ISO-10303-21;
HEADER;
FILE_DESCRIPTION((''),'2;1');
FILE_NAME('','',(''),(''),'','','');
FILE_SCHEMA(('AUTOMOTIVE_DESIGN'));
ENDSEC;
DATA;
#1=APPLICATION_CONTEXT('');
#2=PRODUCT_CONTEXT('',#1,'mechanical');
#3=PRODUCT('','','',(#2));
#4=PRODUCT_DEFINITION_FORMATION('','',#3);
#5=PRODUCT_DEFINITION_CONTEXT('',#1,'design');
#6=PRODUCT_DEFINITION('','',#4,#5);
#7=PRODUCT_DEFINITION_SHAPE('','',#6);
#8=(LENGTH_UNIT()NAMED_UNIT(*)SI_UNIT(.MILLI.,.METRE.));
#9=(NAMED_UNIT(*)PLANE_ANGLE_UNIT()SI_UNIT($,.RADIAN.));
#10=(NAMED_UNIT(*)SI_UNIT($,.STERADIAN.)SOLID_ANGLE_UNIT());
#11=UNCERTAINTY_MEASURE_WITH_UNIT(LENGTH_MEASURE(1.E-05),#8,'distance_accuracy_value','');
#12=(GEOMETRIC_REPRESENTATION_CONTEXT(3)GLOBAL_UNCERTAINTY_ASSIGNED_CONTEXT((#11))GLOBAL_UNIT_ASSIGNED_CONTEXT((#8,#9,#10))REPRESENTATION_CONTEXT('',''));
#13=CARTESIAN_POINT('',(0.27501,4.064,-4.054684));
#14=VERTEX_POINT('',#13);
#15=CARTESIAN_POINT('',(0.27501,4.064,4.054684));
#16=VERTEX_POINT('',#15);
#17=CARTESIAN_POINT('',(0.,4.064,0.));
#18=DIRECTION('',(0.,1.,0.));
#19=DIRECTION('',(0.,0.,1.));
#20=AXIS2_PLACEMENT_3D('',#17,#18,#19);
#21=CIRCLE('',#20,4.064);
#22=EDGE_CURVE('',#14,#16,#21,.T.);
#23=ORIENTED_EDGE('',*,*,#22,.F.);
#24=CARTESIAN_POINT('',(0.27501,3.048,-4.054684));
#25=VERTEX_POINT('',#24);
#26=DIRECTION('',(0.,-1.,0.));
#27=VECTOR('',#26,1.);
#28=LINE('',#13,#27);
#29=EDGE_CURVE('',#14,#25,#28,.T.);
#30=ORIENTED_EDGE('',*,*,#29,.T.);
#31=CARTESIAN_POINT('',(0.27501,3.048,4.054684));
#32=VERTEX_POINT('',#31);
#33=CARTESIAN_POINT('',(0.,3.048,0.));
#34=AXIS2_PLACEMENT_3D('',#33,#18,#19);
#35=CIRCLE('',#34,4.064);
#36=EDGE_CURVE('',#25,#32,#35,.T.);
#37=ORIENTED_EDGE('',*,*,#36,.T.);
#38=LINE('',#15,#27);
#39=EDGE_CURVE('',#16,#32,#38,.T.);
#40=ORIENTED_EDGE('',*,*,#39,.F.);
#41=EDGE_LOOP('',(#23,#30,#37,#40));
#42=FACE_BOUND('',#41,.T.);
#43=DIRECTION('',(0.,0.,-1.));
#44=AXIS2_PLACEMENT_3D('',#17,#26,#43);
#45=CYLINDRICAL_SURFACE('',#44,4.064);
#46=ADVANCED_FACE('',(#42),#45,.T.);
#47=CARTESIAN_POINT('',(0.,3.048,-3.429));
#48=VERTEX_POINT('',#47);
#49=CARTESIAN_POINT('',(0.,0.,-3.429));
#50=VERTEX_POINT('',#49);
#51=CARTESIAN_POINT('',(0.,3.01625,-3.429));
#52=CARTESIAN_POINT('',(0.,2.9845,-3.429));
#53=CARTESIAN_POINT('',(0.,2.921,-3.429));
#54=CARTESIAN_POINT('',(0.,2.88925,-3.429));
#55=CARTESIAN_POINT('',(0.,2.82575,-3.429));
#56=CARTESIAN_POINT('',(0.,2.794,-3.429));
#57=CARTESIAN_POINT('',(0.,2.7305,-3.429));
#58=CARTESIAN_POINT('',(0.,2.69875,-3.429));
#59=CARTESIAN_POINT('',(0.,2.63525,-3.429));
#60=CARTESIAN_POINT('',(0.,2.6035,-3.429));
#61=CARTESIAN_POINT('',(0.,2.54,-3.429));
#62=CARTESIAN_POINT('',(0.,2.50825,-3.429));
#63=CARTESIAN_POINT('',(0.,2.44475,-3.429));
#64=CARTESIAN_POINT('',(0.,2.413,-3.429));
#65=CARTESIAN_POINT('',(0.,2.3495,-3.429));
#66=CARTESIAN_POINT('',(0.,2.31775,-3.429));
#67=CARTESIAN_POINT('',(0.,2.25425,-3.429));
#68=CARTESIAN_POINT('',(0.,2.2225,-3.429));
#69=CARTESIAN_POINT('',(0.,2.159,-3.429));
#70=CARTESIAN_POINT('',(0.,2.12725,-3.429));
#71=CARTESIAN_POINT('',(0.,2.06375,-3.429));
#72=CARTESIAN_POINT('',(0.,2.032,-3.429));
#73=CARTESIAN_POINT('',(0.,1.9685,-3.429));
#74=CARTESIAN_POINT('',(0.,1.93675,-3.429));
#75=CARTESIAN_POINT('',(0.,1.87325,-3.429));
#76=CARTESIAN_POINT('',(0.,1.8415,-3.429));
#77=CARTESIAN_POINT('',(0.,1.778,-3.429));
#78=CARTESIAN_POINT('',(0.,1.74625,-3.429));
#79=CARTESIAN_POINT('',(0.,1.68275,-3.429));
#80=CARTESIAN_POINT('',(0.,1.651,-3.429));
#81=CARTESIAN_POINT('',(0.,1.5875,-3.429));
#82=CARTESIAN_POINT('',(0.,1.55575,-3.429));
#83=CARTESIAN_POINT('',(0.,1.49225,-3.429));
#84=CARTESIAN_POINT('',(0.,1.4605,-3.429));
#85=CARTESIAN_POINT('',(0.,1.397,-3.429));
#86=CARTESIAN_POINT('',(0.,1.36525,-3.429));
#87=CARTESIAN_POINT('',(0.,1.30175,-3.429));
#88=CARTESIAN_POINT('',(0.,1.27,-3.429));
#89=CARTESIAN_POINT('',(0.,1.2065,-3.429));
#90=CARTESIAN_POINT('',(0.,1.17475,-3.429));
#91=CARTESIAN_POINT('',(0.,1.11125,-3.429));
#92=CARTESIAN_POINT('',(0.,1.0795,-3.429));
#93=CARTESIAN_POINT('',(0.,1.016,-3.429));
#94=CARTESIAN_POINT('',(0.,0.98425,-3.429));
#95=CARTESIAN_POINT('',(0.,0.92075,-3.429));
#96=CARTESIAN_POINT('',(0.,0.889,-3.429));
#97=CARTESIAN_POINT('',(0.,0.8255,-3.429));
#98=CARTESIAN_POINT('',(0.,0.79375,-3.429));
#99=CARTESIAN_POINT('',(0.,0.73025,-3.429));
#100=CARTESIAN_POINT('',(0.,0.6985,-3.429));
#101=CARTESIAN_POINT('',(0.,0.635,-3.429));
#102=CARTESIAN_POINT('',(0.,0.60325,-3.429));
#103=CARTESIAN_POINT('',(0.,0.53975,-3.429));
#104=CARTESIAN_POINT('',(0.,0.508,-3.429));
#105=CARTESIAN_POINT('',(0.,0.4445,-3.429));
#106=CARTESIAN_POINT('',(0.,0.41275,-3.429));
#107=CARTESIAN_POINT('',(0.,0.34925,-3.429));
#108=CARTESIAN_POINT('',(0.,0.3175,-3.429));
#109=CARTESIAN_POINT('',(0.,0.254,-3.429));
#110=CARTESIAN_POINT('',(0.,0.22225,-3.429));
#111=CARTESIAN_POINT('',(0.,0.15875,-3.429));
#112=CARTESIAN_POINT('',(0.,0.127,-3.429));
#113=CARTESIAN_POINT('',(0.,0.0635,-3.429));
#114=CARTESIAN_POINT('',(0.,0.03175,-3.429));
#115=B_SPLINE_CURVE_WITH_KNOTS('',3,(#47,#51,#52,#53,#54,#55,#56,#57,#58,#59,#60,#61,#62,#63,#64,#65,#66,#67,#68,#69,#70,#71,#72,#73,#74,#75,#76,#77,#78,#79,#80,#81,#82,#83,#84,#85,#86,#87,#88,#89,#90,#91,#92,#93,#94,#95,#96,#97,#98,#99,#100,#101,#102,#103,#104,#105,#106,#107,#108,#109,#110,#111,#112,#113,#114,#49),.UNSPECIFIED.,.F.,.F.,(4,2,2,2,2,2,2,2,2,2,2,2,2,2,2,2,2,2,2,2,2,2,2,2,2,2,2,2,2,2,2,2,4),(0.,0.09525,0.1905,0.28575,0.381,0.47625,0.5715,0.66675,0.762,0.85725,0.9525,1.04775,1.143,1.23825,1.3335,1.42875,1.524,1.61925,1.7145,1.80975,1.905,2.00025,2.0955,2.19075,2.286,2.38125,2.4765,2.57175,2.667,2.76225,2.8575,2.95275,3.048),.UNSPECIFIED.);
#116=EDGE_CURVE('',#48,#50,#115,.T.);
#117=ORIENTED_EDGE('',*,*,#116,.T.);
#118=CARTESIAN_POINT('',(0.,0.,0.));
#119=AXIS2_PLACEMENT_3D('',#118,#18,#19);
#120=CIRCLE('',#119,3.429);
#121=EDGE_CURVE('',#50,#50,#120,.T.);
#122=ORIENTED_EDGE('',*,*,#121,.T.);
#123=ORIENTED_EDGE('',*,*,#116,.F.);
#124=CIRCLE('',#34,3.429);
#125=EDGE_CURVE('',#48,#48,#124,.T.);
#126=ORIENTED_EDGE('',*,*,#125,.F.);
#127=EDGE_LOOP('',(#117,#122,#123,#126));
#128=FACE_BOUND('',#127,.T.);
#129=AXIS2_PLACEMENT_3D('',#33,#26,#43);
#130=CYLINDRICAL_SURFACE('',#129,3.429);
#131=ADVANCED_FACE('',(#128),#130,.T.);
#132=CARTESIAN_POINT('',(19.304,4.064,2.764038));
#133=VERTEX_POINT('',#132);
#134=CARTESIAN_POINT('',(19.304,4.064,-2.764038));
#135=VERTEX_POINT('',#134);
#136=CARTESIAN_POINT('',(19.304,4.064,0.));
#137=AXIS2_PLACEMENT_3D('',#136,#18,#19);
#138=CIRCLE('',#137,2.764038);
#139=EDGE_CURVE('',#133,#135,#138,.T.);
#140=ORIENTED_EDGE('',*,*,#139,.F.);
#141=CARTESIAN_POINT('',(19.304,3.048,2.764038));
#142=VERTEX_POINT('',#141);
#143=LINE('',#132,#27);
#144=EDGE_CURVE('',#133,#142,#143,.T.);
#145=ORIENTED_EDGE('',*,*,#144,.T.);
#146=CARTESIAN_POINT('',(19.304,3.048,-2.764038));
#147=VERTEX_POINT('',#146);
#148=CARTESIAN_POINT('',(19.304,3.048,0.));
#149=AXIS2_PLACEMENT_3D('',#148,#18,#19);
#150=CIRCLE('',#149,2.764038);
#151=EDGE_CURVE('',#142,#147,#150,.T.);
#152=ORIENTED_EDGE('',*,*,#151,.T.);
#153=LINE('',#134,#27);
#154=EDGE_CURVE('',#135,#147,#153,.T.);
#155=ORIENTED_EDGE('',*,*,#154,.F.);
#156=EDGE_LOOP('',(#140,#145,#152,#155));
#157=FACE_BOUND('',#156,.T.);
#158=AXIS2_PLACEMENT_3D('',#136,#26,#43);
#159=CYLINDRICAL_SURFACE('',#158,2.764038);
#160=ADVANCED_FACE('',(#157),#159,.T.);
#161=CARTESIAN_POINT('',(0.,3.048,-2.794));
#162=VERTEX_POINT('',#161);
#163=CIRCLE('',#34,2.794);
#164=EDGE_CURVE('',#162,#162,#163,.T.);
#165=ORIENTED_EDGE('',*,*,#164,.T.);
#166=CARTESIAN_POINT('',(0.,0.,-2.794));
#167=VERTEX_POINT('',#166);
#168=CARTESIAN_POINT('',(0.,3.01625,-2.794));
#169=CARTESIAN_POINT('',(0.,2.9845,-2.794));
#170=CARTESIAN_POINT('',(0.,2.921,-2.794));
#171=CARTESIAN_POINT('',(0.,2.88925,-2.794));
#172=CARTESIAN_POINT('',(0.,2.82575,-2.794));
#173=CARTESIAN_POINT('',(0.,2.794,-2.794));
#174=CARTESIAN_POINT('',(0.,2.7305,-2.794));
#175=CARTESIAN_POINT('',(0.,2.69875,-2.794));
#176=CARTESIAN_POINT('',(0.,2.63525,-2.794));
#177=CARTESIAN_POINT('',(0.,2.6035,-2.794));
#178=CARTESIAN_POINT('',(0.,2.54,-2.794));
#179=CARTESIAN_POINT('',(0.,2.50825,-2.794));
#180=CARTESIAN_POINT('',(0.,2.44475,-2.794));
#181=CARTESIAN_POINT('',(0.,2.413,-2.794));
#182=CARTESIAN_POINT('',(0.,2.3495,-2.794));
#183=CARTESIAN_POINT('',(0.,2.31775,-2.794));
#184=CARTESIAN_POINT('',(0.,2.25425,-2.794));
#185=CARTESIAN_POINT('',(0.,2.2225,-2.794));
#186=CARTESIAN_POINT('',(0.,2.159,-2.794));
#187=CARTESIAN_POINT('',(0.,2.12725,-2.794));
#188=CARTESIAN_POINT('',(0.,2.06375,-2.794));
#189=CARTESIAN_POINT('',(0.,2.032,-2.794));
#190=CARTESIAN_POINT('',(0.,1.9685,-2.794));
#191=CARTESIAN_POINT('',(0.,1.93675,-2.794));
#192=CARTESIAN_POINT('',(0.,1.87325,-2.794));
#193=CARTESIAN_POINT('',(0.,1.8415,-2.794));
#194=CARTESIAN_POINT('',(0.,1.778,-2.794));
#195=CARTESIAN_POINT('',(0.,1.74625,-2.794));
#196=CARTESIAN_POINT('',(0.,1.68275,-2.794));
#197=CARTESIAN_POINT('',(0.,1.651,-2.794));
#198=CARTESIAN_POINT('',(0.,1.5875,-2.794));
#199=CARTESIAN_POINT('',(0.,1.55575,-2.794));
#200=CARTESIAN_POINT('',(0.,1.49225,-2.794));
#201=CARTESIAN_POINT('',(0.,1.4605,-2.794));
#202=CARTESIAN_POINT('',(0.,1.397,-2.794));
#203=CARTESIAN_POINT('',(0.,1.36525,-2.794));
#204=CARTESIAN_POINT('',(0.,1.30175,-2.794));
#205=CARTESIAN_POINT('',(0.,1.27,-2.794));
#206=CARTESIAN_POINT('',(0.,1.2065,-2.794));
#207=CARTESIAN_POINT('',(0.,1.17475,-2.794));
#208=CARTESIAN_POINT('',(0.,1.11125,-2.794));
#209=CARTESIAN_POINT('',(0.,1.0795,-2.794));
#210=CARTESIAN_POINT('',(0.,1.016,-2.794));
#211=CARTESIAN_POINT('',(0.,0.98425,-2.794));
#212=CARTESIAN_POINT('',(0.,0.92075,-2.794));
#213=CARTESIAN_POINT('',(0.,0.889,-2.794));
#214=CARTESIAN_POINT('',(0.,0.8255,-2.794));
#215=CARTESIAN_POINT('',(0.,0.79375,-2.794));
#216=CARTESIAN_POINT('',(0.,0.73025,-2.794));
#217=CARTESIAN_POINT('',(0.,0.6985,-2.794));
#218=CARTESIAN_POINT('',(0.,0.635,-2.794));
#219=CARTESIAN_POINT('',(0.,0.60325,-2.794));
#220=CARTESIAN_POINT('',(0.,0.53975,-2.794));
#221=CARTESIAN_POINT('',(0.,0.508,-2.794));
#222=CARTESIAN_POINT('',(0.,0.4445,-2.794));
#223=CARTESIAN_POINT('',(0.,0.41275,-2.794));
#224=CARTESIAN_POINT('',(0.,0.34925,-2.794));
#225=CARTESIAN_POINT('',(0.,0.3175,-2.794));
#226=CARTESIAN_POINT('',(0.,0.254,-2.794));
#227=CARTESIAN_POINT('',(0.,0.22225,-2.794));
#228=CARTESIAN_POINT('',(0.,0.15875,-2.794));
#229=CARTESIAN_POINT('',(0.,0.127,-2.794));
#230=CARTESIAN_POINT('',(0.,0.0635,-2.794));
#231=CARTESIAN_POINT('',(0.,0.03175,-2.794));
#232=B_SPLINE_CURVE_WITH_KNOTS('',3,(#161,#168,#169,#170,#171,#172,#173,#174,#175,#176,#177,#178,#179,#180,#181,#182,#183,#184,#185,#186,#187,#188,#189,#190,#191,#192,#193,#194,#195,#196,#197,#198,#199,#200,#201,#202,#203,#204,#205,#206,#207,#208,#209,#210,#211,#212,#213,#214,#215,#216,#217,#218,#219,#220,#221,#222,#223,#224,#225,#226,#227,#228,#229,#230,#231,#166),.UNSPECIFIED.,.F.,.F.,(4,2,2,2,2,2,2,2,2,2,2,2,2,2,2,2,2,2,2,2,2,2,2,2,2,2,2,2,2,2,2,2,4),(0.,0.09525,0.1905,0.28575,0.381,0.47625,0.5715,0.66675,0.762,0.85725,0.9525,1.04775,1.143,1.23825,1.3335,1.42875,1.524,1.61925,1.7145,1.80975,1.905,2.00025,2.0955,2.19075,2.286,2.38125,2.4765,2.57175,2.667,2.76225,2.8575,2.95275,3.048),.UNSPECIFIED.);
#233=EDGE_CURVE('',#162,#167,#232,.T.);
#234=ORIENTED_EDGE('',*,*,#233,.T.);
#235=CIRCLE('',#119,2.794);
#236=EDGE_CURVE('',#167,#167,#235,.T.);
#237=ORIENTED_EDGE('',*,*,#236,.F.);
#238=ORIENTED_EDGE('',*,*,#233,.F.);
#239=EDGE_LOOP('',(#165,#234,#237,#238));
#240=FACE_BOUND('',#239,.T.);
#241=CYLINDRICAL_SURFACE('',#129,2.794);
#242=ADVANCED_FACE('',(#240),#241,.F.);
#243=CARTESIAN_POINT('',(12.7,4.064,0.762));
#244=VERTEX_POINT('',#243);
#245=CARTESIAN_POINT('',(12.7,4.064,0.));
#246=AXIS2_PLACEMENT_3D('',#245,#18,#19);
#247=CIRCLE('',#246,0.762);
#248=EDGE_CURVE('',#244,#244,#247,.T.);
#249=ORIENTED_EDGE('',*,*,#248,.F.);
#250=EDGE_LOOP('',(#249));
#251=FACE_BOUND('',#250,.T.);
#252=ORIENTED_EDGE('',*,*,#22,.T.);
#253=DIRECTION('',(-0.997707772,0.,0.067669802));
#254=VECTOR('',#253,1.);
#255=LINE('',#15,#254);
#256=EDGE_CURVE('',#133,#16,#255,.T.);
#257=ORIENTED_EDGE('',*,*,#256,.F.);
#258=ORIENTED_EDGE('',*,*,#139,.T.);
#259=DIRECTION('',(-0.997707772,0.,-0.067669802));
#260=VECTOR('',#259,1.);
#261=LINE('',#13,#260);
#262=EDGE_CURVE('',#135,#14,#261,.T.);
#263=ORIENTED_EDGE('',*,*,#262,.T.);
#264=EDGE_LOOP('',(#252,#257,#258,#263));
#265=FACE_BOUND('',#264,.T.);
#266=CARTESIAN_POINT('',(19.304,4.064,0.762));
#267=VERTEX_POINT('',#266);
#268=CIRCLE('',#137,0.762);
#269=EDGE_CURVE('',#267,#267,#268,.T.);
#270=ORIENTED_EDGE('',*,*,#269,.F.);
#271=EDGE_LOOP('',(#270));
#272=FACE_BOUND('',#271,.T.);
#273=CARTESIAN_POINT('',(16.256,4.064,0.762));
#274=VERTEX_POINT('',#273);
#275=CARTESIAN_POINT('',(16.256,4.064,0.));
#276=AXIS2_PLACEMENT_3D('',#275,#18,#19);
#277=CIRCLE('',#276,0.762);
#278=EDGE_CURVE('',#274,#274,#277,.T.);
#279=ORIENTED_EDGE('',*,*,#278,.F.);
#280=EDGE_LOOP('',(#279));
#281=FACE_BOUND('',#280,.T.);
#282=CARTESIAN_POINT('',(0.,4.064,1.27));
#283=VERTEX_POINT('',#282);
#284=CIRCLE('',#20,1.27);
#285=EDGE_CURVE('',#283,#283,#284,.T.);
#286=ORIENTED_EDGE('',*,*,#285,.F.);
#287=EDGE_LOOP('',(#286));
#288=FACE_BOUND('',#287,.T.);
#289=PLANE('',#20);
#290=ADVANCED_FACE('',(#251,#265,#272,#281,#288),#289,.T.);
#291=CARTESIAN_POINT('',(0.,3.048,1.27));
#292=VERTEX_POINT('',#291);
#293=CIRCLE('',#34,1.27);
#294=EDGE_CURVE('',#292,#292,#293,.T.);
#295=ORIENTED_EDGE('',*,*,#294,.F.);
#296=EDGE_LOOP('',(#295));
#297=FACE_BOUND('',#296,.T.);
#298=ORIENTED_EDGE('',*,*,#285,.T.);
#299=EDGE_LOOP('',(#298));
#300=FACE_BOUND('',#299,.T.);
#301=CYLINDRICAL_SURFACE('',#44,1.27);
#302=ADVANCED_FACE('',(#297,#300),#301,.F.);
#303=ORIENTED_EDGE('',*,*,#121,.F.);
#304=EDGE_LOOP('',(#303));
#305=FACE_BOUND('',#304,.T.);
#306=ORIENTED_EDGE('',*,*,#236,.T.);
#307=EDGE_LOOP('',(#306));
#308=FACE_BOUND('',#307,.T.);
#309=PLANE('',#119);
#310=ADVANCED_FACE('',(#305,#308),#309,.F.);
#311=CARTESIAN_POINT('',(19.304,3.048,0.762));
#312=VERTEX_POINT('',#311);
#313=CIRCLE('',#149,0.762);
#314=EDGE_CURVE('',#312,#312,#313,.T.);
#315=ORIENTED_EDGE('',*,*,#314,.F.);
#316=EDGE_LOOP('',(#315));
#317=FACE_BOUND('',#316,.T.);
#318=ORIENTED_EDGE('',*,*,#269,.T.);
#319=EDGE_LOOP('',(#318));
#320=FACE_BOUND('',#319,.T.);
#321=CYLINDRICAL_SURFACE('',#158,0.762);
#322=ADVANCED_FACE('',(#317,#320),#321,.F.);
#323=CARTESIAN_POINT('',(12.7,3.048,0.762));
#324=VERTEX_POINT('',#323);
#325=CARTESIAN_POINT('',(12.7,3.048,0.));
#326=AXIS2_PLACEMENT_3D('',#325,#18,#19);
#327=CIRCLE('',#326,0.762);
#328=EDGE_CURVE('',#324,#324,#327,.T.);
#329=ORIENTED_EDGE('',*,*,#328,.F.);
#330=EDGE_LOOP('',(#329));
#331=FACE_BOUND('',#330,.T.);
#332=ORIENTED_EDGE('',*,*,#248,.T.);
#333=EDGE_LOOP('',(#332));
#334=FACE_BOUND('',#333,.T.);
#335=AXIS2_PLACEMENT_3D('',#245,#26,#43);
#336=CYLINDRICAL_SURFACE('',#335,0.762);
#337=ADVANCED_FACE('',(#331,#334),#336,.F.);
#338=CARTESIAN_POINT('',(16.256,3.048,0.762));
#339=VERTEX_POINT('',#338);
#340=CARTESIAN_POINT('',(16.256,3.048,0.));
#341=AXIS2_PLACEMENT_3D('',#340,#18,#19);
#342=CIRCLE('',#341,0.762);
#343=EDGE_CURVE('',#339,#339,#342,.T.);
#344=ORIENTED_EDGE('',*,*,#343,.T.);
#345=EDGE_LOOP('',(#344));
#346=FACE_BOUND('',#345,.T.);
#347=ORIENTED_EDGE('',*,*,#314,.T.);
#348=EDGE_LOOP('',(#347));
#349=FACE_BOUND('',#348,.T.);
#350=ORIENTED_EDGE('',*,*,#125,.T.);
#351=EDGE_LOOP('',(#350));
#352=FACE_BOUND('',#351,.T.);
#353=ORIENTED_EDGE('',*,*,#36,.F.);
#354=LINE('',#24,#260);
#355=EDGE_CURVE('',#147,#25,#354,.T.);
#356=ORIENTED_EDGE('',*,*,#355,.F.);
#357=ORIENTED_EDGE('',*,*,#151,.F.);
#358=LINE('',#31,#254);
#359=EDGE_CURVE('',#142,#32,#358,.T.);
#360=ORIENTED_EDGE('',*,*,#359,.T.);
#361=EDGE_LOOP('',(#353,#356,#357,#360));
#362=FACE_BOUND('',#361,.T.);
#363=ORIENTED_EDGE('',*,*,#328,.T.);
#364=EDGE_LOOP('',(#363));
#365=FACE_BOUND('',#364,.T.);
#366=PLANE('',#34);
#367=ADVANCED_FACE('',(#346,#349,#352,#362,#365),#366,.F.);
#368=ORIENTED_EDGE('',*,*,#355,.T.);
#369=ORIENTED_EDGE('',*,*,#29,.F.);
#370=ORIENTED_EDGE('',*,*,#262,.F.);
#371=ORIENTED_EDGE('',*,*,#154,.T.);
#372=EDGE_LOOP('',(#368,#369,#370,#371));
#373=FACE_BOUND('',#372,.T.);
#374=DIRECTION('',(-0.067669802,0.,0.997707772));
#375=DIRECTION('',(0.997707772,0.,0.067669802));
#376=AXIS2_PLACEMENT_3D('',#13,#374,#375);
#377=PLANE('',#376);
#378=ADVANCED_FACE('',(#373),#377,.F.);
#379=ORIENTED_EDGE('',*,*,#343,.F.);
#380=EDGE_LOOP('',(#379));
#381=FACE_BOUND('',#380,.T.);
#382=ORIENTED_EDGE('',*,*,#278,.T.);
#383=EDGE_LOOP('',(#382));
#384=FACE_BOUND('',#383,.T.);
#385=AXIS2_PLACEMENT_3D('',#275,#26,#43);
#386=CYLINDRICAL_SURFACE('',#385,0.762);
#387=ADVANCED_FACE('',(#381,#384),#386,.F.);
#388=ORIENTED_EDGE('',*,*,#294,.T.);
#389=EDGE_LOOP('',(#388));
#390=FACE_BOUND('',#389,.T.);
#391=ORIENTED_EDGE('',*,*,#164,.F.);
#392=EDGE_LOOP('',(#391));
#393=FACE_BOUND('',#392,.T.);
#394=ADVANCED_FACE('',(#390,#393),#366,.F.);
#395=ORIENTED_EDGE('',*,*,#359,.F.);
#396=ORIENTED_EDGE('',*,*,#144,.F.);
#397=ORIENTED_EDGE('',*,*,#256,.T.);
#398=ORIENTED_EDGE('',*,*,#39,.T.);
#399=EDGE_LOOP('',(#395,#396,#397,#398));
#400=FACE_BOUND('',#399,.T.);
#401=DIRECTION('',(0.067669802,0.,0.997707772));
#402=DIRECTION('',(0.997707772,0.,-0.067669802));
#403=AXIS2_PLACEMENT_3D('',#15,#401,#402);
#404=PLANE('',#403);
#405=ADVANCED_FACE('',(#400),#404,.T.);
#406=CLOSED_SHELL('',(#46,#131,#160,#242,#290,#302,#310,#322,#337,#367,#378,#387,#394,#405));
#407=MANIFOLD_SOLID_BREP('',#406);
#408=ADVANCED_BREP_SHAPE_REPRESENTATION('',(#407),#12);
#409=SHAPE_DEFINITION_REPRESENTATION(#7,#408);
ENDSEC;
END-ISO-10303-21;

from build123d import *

# Parameters (mm, degrees)
SKETCH5_R           = 3.429
SKETCH5_R_2         = 2.794
BOSS_EXTRUDE3_DEPTH = 3.048
SKETCH6_R           = 0.762
SKETCH6_R_2         = 1.27
BOSS_EXTRUDE4_DEPTH = 1.016


with BuildPart() as part:
    # Sketch5 → Boss-Extrude3 (new body)
    with BuildSketch(Plane(origin=(0, 0, 0), x_dir=(1, 0, 0), z_dir=(0, 1, 0))):
        with Locations(Location((0, 0, 0), (0, 0, 90))):
            Circle(SKETCH5_R)
        with Locations(Location((0, 0, 0), (0, 0, 90))):
            Circle(SKETCH5_R_2, mode=Mode.SUBTRACT)
    extrude(amount=BOSS_EXTRUDE3_DEPTH)

    # Sketch6 → Boss-Extrude4 (add)
    with BuildSketch(Plane(origin=(0, 3.048, 0), x_dir=(1, 0, 0), z_dir=(0, 1, 0))):
        with BuildLine():
            ThreePointArc((0.275010076, 4.054684385), (-4.064, 0), (0.275010076, -4.054684385))
            Line((0.275010076, -4.054684385), (19.304, -2.764037947))
            ThreePointArc((19.304, -2.764037947), (22.068037947, 0), (19.304, 2.764037947))
            Line((19.304, 2.764037947), (0.275010076, 4.054684385))
        make_face()
        with Locations(Location((16.256, 0, 0), (0, 0, 270))):
            Circle(SKETCH6_R, mode=Mode.SUBTRACT)
        with Locations(Location((12.7, 0, 0), (0, 0, 270))):
            Circle(SKETCH6_R, mode=Mode.SUBTRACT)
        with Locations(Location((0, 0, 0), (0, 0, 270))):
            Circle(SKETCH6_R_2, mode=Mode.SUBTRACT)
        with Locations(Location((19.304, 0, 0), (0, 0, 270))):
            Circle(SKETCH6_R, mode=Mode.SUBTRACT)
    extrude(amount=BOSS_EXTRUDE4_DEPTH)


solid = part.part
